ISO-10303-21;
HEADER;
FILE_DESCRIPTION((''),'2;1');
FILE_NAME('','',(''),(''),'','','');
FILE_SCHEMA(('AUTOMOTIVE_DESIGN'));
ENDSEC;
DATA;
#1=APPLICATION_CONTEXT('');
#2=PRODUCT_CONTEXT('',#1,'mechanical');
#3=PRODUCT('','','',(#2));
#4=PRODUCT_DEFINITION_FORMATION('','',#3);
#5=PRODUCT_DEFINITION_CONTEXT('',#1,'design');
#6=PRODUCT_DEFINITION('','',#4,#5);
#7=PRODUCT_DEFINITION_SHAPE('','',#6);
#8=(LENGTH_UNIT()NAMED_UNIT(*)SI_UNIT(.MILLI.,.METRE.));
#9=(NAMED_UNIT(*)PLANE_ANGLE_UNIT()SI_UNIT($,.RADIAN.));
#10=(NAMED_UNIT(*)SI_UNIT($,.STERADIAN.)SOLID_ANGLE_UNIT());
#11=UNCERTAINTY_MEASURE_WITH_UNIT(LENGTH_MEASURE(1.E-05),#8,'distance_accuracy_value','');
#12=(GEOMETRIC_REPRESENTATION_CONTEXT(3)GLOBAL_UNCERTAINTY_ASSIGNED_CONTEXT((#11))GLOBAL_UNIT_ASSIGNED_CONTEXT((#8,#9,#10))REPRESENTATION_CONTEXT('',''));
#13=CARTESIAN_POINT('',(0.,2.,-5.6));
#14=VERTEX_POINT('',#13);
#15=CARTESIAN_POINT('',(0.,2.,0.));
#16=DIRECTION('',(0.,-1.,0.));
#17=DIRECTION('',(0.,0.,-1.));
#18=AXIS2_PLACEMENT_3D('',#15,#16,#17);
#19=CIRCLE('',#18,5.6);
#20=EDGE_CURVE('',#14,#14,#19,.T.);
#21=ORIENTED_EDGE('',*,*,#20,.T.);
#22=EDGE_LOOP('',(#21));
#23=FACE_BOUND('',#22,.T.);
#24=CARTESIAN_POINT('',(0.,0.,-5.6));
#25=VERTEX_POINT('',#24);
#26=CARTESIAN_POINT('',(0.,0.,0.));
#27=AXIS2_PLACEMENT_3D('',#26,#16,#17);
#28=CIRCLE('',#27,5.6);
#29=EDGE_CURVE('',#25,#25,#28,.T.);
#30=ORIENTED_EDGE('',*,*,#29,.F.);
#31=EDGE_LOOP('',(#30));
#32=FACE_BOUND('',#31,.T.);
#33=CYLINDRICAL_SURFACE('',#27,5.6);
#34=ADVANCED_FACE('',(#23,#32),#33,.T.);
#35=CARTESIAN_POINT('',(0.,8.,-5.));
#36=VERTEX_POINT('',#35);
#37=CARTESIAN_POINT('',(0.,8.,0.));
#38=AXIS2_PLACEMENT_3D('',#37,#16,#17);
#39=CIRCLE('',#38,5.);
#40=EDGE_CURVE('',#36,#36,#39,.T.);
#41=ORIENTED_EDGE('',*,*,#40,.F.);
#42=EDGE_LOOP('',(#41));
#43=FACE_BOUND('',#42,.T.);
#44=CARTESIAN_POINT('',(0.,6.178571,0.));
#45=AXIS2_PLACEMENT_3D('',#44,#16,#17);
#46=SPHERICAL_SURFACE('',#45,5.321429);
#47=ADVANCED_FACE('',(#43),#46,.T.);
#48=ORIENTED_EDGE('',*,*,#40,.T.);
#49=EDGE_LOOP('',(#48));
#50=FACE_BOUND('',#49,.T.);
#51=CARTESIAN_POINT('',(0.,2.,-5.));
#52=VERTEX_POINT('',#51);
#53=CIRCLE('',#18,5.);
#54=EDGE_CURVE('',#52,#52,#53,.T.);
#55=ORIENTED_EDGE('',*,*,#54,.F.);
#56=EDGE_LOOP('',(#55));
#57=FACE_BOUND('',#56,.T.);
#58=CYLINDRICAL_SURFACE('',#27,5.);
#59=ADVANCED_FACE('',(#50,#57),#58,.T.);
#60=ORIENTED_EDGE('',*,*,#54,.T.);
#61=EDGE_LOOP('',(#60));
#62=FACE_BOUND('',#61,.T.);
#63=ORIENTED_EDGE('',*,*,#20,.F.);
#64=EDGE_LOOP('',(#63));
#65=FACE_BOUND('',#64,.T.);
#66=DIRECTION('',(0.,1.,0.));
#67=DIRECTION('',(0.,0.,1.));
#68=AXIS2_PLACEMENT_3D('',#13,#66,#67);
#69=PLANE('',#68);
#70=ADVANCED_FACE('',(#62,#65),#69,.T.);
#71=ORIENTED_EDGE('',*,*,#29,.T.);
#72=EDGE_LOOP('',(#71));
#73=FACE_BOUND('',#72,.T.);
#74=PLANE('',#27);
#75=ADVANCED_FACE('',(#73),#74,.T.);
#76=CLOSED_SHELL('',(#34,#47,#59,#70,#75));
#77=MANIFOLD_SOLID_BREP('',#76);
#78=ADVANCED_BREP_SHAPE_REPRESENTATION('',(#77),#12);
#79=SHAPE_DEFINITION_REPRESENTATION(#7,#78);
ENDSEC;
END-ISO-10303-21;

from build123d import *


with BuildPart() as part:
    # Sketch1 → Revolve1 (revolve)
    with BuildSketch(Plane(origin=(0, 0, 0), x_dir=(0, 0, -1), z_dir=(1, 0, 0))):
        with BuildLine():
            Line((0, 0), (5.6, 0))
            Line((5.6, 0), (5.6, 2))
            Line((5.6, 2), (5, 2))
            Line((5, 2), (5, 8))
            ThreePointArc((5, 8), (3.051638904, 10.538055577), (0, 11.5))
            Line((0, 11.5), (0, 0))
        make_face()
    revolve(axis=Axis((0, 0, 0), (0, 1, 0)))


solid = part.part
